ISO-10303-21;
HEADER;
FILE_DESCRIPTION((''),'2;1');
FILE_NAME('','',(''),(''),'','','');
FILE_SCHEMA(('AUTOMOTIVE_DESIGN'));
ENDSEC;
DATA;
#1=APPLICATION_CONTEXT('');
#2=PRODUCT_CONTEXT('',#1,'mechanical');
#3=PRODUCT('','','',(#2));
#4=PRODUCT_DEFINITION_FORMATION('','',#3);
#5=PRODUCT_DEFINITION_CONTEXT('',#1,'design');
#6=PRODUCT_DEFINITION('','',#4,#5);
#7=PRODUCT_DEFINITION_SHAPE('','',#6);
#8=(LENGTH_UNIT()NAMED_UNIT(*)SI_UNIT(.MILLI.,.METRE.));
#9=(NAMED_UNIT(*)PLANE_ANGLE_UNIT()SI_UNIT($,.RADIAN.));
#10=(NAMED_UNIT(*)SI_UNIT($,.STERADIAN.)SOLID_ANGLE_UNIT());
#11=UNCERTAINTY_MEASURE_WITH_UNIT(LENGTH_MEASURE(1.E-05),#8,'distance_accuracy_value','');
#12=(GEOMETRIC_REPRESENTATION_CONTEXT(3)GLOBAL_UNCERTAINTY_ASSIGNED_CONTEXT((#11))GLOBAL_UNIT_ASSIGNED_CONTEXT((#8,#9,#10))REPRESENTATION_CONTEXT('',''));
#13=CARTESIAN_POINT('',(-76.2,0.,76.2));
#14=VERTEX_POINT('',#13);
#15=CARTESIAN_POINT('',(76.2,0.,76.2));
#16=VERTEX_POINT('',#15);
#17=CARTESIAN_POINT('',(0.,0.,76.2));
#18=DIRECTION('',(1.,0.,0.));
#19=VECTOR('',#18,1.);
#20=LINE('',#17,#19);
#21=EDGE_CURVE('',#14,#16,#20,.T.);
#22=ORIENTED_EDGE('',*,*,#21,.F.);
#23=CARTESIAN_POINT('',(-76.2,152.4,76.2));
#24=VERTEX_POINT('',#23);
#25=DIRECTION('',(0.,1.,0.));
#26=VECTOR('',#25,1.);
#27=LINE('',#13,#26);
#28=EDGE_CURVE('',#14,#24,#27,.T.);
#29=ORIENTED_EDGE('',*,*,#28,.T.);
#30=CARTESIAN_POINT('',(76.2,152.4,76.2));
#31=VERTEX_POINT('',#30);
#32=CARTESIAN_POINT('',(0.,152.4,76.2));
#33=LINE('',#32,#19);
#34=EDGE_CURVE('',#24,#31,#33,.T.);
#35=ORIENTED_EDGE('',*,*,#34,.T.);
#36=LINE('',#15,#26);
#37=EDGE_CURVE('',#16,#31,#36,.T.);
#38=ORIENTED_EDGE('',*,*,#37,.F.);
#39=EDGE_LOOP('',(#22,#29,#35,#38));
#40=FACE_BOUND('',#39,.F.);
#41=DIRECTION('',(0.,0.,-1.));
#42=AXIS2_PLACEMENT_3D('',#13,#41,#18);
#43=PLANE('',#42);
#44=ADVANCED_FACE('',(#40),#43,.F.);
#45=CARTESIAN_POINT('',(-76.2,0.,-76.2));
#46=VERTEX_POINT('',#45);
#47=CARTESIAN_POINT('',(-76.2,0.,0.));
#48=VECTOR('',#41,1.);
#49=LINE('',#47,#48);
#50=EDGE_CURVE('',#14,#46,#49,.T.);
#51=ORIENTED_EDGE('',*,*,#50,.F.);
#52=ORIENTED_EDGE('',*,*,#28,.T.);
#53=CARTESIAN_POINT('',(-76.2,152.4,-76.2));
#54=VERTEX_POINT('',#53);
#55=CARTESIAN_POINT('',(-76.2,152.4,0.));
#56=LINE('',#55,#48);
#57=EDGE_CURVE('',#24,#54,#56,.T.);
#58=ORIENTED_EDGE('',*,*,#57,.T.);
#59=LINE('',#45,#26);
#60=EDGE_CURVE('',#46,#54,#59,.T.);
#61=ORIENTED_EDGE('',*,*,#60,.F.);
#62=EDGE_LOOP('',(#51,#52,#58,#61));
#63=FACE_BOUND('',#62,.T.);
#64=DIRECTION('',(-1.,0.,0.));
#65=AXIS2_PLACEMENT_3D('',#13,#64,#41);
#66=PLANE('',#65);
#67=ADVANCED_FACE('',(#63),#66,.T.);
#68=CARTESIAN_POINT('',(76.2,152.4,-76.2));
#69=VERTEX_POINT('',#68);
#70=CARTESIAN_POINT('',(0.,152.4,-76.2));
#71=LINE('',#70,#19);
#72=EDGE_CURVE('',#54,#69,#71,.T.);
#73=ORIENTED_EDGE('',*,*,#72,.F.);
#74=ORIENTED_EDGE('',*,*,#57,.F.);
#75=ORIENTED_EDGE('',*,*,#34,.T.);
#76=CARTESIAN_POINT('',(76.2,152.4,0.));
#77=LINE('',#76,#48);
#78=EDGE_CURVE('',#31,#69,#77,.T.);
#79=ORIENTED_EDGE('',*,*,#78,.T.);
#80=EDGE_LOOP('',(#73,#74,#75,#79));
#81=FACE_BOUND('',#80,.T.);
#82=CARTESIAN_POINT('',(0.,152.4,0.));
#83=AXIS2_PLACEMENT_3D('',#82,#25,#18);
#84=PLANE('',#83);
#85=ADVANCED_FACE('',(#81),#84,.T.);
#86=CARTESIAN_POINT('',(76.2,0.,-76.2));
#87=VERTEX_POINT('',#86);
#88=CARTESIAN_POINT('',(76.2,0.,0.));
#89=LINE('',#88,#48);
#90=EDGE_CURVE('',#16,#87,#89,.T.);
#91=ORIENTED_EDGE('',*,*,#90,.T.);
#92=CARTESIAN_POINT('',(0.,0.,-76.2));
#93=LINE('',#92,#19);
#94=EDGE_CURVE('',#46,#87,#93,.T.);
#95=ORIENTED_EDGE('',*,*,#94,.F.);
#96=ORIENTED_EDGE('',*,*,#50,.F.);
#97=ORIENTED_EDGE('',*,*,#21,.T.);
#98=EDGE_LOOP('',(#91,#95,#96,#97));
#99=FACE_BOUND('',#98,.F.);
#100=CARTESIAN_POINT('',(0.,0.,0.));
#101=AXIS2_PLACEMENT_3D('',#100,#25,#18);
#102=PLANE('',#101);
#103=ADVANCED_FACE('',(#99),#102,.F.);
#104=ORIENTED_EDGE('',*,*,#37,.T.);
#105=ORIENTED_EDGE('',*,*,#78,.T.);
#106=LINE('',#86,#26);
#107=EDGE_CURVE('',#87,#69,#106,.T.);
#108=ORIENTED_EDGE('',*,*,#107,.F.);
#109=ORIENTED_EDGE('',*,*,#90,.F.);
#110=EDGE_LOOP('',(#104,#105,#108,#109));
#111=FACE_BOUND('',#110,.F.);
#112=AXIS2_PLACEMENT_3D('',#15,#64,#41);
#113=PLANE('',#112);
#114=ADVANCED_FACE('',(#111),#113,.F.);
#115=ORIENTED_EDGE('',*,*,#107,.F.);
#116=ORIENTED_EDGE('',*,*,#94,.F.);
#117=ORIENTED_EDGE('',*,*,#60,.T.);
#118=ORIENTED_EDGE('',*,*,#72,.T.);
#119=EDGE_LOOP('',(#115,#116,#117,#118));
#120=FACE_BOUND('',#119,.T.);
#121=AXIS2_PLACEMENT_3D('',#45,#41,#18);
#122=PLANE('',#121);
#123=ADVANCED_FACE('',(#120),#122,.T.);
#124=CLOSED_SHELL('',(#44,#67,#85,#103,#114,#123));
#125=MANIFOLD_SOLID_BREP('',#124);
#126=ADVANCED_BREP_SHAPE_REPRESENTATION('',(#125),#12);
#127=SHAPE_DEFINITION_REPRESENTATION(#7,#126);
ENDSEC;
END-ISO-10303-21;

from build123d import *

# Parameters (mm, degrees)
SKETCH1_W           = 152.4
SKETCH1_H           = 152.4
BOSS_EXTRUDE1_DEPTH = 152.4


with BuildPart() as part:
    # Sketch1 → Boss-Extrude1 (new body)
    with BuildSketch(Plane(origin=(0, 0, 0), x_dir=(1, 0, 0), z_dir=(0, 1, 0))):
        Rectangle(SKETCH1_W, SKETCH1_H)
    extrude(amount=BOSS_EXTRUDE1_DEPTH)


solid = part.part
